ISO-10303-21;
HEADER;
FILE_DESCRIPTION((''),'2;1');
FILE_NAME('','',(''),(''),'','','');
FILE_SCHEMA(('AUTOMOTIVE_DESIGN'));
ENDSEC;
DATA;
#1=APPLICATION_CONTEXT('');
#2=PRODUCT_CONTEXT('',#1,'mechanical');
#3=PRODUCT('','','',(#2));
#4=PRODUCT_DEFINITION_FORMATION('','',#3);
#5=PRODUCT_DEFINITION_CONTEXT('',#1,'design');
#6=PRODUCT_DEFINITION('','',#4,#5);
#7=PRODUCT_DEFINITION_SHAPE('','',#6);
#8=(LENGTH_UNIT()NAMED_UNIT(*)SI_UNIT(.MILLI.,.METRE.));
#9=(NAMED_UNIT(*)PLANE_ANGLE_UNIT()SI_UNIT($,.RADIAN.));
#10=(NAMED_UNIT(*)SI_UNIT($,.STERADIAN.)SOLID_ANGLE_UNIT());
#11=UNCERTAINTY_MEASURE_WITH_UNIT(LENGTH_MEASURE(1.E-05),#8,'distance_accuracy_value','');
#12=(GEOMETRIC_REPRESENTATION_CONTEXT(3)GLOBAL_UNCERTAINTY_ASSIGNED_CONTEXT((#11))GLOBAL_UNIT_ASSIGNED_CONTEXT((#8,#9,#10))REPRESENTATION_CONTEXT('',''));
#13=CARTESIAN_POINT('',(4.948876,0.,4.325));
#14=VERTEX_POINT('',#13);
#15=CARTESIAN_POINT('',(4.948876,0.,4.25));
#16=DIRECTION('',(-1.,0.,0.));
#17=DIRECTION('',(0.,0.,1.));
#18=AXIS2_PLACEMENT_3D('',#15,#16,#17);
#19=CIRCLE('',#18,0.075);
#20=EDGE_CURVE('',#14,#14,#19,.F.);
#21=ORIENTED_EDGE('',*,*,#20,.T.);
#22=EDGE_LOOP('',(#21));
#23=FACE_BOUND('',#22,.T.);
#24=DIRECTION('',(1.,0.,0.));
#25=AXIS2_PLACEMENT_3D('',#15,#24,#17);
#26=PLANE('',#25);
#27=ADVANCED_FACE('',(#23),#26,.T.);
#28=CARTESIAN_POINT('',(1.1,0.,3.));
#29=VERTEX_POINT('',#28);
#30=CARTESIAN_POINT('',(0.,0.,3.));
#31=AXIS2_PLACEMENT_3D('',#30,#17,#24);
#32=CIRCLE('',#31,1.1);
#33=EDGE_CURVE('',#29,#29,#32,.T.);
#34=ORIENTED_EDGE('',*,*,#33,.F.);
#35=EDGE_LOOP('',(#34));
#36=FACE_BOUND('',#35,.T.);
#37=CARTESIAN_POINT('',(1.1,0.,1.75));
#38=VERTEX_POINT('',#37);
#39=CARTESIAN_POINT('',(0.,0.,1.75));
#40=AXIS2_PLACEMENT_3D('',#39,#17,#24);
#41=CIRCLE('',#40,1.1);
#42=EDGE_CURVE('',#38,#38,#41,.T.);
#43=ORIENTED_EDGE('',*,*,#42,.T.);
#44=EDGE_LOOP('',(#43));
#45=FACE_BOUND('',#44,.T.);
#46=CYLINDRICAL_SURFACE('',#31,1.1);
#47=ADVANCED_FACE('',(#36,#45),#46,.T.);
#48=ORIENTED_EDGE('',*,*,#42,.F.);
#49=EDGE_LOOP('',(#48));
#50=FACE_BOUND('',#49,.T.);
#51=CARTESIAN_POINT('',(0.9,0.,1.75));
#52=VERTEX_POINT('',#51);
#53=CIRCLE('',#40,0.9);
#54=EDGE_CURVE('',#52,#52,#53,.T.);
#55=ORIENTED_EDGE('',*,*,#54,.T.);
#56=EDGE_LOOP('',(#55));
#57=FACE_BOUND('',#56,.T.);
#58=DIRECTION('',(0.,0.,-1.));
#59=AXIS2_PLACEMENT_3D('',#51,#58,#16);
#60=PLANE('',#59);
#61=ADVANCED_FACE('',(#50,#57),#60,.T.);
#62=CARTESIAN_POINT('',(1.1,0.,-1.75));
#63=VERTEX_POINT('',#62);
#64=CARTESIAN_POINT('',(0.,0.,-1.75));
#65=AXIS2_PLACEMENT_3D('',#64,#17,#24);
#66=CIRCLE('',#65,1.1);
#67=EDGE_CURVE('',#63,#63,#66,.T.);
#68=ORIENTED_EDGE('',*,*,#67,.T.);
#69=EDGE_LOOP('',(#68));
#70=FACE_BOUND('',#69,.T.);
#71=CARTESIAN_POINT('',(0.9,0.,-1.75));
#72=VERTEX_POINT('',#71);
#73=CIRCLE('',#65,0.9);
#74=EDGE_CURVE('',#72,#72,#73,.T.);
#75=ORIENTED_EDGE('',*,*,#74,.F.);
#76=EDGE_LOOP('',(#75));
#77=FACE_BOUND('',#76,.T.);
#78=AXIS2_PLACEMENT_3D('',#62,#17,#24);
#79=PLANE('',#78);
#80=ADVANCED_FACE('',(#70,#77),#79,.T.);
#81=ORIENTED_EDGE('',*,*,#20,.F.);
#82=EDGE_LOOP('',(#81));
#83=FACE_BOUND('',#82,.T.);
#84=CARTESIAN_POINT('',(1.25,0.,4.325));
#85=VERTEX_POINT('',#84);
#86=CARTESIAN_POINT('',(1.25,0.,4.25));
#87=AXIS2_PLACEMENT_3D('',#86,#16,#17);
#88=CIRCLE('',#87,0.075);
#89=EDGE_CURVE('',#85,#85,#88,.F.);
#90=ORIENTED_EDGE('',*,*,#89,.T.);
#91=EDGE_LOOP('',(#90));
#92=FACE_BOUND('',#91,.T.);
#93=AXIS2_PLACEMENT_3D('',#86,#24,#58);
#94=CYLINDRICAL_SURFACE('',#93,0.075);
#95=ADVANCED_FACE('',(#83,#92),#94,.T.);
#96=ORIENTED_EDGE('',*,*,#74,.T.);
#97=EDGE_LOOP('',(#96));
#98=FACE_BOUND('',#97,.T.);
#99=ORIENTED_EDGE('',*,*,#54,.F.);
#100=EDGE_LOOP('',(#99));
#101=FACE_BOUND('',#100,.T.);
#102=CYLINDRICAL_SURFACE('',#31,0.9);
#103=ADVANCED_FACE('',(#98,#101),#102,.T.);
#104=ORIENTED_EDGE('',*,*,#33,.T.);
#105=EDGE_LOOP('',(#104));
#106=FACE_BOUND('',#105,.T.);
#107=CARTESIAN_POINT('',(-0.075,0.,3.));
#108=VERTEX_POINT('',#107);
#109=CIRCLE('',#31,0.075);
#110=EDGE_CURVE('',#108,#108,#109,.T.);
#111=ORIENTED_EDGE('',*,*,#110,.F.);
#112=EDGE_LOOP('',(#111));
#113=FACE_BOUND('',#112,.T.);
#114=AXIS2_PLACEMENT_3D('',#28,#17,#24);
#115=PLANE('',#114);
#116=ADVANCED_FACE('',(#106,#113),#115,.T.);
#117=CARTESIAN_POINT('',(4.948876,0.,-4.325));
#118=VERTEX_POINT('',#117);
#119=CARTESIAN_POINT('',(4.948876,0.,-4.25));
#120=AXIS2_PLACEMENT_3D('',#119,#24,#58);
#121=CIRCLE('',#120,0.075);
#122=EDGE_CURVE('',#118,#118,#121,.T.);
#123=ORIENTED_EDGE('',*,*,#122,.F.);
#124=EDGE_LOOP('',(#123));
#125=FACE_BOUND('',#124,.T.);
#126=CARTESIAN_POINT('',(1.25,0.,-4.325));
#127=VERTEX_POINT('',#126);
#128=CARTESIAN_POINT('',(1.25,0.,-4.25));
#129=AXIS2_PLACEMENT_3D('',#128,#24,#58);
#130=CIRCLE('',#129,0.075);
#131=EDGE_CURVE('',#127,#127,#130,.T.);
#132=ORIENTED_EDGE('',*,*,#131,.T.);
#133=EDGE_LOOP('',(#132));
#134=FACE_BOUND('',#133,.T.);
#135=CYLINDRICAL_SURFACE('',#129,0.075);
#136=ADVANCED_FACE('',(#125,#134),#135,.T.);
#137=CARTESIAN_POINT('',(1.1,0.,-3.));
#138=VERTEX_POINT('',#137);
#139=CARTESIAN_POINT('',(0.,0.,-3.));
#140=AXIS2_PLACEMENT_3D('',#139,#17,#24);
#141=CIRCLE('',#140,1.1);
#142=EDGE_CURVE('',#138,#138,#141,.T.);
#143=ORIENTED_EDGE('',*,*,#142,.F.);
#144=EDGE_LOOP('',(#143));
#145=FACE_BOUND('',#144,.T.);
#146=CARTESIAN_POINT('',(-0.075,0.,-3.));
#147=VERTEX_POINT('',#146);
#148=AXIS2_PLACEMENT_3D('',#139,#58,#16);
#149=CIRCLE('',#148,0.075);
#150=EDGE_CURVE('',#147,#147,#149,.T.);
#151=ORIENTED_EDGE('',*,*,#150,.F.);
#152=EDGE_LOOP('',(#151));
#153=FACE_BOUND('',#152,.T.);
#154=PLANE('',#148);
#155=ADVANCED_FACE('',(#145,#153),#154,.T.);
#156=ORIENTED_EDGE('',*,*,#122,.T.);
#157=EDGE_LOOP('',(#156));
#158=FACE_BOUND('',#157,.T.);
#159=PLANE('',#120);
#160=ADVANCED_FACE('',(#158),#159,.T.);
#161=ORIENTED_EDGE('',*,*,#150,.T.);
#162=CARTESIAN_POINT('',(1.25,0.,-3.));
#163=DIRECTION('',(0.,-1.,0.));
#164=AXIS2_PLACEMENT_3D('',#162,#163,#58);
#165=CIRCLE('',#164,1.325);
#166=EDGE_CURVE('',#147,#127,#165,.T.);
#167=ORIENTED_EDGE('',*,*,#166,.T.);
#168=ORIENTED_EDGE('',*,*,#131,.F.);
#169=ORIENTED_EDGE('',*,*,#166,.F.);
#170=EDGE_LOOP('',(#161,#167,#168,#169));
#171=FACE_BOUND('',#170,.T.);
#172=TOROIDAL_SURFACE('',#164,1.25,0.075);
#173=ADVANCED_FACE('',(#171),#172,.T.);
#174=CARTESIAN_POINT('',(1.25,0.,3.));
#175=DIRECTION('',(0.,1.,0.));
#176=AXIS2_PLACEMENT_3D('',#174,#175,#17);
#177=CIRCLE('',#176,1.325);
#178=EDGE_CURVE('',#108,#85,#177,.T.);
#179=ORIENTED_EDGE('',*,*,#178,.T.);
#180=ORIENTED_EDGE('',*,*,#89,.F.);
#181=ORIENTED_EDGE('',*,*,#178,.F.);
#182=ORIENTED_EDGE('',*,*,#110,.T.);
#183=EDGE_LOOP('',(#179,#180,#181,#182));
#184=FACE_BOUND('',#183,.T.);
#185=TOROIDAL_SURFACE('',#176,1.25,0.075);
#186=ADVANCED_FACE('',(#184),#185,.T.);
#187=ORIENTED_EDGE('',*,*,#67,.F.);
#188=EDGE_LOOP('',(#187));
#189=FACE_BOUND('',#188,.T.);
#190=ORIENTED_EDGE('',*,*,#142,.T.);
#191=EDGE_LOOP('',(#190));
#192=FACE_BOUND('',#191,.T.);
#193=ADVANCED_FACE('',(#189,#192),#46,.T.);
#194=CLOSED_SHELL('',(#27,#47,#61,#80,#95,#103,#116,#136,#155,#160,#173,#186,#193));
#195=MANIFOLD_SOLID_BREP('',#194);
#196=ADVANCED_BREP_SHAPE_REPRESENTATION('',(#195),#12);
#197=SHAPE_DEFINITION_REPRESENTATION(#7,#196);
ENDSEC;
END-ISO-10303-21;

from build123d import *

# Parameters (mm, degrees)
SWEEP_1_PROFILE_R = 0.075


with BuildPart() as part:
    # 草图1 → 旋转1 (revolve)
    with BuildSketch(Plane(origin=(0, 0, 0), x_dir=(1, 0, 0), z_dir=(0, 1, 0))):
        Polygon((0.9, -1.75), (1.1, -1.75), (1.1, -3), (0, -3), (0, 3), (1.1, 3), (1.1, 1.75), (0.9, 1.75), align=None)
    revolve(axis=Axis((0, 0, 3), (0, 0, -1)))

    # 扫描1: sweep along a path in 草图6
    with BuildLine(Plane(origin=(0, 0, 0), x_dir=(1, 0, 0), z_dir=(0, 1, 0))) as sweep_1_path:
        Line((4.948876204, 4.25), (1.25, 4.25))
        ThreePointArc((1.25, 4.25), (0.366116524, 3.883883476), (0, 3))
    # 扫描1 profile (on start of the path) → 扫描1 (sweep)
    with BuildSketch(Plane(origin=(4.948876204, 0, -4.25), x_dir=(0, 0, -1), z_dir=(-1, 0, 0))):
        Circle(SWEEP_1_PROFILE_R)
    sweep_1 = sweep(path=sweep_1_path.line)

    # 镜向1: 扫描1 across plane
    add(sweep_1.mirror(Plane.XY))


solid = part.part
